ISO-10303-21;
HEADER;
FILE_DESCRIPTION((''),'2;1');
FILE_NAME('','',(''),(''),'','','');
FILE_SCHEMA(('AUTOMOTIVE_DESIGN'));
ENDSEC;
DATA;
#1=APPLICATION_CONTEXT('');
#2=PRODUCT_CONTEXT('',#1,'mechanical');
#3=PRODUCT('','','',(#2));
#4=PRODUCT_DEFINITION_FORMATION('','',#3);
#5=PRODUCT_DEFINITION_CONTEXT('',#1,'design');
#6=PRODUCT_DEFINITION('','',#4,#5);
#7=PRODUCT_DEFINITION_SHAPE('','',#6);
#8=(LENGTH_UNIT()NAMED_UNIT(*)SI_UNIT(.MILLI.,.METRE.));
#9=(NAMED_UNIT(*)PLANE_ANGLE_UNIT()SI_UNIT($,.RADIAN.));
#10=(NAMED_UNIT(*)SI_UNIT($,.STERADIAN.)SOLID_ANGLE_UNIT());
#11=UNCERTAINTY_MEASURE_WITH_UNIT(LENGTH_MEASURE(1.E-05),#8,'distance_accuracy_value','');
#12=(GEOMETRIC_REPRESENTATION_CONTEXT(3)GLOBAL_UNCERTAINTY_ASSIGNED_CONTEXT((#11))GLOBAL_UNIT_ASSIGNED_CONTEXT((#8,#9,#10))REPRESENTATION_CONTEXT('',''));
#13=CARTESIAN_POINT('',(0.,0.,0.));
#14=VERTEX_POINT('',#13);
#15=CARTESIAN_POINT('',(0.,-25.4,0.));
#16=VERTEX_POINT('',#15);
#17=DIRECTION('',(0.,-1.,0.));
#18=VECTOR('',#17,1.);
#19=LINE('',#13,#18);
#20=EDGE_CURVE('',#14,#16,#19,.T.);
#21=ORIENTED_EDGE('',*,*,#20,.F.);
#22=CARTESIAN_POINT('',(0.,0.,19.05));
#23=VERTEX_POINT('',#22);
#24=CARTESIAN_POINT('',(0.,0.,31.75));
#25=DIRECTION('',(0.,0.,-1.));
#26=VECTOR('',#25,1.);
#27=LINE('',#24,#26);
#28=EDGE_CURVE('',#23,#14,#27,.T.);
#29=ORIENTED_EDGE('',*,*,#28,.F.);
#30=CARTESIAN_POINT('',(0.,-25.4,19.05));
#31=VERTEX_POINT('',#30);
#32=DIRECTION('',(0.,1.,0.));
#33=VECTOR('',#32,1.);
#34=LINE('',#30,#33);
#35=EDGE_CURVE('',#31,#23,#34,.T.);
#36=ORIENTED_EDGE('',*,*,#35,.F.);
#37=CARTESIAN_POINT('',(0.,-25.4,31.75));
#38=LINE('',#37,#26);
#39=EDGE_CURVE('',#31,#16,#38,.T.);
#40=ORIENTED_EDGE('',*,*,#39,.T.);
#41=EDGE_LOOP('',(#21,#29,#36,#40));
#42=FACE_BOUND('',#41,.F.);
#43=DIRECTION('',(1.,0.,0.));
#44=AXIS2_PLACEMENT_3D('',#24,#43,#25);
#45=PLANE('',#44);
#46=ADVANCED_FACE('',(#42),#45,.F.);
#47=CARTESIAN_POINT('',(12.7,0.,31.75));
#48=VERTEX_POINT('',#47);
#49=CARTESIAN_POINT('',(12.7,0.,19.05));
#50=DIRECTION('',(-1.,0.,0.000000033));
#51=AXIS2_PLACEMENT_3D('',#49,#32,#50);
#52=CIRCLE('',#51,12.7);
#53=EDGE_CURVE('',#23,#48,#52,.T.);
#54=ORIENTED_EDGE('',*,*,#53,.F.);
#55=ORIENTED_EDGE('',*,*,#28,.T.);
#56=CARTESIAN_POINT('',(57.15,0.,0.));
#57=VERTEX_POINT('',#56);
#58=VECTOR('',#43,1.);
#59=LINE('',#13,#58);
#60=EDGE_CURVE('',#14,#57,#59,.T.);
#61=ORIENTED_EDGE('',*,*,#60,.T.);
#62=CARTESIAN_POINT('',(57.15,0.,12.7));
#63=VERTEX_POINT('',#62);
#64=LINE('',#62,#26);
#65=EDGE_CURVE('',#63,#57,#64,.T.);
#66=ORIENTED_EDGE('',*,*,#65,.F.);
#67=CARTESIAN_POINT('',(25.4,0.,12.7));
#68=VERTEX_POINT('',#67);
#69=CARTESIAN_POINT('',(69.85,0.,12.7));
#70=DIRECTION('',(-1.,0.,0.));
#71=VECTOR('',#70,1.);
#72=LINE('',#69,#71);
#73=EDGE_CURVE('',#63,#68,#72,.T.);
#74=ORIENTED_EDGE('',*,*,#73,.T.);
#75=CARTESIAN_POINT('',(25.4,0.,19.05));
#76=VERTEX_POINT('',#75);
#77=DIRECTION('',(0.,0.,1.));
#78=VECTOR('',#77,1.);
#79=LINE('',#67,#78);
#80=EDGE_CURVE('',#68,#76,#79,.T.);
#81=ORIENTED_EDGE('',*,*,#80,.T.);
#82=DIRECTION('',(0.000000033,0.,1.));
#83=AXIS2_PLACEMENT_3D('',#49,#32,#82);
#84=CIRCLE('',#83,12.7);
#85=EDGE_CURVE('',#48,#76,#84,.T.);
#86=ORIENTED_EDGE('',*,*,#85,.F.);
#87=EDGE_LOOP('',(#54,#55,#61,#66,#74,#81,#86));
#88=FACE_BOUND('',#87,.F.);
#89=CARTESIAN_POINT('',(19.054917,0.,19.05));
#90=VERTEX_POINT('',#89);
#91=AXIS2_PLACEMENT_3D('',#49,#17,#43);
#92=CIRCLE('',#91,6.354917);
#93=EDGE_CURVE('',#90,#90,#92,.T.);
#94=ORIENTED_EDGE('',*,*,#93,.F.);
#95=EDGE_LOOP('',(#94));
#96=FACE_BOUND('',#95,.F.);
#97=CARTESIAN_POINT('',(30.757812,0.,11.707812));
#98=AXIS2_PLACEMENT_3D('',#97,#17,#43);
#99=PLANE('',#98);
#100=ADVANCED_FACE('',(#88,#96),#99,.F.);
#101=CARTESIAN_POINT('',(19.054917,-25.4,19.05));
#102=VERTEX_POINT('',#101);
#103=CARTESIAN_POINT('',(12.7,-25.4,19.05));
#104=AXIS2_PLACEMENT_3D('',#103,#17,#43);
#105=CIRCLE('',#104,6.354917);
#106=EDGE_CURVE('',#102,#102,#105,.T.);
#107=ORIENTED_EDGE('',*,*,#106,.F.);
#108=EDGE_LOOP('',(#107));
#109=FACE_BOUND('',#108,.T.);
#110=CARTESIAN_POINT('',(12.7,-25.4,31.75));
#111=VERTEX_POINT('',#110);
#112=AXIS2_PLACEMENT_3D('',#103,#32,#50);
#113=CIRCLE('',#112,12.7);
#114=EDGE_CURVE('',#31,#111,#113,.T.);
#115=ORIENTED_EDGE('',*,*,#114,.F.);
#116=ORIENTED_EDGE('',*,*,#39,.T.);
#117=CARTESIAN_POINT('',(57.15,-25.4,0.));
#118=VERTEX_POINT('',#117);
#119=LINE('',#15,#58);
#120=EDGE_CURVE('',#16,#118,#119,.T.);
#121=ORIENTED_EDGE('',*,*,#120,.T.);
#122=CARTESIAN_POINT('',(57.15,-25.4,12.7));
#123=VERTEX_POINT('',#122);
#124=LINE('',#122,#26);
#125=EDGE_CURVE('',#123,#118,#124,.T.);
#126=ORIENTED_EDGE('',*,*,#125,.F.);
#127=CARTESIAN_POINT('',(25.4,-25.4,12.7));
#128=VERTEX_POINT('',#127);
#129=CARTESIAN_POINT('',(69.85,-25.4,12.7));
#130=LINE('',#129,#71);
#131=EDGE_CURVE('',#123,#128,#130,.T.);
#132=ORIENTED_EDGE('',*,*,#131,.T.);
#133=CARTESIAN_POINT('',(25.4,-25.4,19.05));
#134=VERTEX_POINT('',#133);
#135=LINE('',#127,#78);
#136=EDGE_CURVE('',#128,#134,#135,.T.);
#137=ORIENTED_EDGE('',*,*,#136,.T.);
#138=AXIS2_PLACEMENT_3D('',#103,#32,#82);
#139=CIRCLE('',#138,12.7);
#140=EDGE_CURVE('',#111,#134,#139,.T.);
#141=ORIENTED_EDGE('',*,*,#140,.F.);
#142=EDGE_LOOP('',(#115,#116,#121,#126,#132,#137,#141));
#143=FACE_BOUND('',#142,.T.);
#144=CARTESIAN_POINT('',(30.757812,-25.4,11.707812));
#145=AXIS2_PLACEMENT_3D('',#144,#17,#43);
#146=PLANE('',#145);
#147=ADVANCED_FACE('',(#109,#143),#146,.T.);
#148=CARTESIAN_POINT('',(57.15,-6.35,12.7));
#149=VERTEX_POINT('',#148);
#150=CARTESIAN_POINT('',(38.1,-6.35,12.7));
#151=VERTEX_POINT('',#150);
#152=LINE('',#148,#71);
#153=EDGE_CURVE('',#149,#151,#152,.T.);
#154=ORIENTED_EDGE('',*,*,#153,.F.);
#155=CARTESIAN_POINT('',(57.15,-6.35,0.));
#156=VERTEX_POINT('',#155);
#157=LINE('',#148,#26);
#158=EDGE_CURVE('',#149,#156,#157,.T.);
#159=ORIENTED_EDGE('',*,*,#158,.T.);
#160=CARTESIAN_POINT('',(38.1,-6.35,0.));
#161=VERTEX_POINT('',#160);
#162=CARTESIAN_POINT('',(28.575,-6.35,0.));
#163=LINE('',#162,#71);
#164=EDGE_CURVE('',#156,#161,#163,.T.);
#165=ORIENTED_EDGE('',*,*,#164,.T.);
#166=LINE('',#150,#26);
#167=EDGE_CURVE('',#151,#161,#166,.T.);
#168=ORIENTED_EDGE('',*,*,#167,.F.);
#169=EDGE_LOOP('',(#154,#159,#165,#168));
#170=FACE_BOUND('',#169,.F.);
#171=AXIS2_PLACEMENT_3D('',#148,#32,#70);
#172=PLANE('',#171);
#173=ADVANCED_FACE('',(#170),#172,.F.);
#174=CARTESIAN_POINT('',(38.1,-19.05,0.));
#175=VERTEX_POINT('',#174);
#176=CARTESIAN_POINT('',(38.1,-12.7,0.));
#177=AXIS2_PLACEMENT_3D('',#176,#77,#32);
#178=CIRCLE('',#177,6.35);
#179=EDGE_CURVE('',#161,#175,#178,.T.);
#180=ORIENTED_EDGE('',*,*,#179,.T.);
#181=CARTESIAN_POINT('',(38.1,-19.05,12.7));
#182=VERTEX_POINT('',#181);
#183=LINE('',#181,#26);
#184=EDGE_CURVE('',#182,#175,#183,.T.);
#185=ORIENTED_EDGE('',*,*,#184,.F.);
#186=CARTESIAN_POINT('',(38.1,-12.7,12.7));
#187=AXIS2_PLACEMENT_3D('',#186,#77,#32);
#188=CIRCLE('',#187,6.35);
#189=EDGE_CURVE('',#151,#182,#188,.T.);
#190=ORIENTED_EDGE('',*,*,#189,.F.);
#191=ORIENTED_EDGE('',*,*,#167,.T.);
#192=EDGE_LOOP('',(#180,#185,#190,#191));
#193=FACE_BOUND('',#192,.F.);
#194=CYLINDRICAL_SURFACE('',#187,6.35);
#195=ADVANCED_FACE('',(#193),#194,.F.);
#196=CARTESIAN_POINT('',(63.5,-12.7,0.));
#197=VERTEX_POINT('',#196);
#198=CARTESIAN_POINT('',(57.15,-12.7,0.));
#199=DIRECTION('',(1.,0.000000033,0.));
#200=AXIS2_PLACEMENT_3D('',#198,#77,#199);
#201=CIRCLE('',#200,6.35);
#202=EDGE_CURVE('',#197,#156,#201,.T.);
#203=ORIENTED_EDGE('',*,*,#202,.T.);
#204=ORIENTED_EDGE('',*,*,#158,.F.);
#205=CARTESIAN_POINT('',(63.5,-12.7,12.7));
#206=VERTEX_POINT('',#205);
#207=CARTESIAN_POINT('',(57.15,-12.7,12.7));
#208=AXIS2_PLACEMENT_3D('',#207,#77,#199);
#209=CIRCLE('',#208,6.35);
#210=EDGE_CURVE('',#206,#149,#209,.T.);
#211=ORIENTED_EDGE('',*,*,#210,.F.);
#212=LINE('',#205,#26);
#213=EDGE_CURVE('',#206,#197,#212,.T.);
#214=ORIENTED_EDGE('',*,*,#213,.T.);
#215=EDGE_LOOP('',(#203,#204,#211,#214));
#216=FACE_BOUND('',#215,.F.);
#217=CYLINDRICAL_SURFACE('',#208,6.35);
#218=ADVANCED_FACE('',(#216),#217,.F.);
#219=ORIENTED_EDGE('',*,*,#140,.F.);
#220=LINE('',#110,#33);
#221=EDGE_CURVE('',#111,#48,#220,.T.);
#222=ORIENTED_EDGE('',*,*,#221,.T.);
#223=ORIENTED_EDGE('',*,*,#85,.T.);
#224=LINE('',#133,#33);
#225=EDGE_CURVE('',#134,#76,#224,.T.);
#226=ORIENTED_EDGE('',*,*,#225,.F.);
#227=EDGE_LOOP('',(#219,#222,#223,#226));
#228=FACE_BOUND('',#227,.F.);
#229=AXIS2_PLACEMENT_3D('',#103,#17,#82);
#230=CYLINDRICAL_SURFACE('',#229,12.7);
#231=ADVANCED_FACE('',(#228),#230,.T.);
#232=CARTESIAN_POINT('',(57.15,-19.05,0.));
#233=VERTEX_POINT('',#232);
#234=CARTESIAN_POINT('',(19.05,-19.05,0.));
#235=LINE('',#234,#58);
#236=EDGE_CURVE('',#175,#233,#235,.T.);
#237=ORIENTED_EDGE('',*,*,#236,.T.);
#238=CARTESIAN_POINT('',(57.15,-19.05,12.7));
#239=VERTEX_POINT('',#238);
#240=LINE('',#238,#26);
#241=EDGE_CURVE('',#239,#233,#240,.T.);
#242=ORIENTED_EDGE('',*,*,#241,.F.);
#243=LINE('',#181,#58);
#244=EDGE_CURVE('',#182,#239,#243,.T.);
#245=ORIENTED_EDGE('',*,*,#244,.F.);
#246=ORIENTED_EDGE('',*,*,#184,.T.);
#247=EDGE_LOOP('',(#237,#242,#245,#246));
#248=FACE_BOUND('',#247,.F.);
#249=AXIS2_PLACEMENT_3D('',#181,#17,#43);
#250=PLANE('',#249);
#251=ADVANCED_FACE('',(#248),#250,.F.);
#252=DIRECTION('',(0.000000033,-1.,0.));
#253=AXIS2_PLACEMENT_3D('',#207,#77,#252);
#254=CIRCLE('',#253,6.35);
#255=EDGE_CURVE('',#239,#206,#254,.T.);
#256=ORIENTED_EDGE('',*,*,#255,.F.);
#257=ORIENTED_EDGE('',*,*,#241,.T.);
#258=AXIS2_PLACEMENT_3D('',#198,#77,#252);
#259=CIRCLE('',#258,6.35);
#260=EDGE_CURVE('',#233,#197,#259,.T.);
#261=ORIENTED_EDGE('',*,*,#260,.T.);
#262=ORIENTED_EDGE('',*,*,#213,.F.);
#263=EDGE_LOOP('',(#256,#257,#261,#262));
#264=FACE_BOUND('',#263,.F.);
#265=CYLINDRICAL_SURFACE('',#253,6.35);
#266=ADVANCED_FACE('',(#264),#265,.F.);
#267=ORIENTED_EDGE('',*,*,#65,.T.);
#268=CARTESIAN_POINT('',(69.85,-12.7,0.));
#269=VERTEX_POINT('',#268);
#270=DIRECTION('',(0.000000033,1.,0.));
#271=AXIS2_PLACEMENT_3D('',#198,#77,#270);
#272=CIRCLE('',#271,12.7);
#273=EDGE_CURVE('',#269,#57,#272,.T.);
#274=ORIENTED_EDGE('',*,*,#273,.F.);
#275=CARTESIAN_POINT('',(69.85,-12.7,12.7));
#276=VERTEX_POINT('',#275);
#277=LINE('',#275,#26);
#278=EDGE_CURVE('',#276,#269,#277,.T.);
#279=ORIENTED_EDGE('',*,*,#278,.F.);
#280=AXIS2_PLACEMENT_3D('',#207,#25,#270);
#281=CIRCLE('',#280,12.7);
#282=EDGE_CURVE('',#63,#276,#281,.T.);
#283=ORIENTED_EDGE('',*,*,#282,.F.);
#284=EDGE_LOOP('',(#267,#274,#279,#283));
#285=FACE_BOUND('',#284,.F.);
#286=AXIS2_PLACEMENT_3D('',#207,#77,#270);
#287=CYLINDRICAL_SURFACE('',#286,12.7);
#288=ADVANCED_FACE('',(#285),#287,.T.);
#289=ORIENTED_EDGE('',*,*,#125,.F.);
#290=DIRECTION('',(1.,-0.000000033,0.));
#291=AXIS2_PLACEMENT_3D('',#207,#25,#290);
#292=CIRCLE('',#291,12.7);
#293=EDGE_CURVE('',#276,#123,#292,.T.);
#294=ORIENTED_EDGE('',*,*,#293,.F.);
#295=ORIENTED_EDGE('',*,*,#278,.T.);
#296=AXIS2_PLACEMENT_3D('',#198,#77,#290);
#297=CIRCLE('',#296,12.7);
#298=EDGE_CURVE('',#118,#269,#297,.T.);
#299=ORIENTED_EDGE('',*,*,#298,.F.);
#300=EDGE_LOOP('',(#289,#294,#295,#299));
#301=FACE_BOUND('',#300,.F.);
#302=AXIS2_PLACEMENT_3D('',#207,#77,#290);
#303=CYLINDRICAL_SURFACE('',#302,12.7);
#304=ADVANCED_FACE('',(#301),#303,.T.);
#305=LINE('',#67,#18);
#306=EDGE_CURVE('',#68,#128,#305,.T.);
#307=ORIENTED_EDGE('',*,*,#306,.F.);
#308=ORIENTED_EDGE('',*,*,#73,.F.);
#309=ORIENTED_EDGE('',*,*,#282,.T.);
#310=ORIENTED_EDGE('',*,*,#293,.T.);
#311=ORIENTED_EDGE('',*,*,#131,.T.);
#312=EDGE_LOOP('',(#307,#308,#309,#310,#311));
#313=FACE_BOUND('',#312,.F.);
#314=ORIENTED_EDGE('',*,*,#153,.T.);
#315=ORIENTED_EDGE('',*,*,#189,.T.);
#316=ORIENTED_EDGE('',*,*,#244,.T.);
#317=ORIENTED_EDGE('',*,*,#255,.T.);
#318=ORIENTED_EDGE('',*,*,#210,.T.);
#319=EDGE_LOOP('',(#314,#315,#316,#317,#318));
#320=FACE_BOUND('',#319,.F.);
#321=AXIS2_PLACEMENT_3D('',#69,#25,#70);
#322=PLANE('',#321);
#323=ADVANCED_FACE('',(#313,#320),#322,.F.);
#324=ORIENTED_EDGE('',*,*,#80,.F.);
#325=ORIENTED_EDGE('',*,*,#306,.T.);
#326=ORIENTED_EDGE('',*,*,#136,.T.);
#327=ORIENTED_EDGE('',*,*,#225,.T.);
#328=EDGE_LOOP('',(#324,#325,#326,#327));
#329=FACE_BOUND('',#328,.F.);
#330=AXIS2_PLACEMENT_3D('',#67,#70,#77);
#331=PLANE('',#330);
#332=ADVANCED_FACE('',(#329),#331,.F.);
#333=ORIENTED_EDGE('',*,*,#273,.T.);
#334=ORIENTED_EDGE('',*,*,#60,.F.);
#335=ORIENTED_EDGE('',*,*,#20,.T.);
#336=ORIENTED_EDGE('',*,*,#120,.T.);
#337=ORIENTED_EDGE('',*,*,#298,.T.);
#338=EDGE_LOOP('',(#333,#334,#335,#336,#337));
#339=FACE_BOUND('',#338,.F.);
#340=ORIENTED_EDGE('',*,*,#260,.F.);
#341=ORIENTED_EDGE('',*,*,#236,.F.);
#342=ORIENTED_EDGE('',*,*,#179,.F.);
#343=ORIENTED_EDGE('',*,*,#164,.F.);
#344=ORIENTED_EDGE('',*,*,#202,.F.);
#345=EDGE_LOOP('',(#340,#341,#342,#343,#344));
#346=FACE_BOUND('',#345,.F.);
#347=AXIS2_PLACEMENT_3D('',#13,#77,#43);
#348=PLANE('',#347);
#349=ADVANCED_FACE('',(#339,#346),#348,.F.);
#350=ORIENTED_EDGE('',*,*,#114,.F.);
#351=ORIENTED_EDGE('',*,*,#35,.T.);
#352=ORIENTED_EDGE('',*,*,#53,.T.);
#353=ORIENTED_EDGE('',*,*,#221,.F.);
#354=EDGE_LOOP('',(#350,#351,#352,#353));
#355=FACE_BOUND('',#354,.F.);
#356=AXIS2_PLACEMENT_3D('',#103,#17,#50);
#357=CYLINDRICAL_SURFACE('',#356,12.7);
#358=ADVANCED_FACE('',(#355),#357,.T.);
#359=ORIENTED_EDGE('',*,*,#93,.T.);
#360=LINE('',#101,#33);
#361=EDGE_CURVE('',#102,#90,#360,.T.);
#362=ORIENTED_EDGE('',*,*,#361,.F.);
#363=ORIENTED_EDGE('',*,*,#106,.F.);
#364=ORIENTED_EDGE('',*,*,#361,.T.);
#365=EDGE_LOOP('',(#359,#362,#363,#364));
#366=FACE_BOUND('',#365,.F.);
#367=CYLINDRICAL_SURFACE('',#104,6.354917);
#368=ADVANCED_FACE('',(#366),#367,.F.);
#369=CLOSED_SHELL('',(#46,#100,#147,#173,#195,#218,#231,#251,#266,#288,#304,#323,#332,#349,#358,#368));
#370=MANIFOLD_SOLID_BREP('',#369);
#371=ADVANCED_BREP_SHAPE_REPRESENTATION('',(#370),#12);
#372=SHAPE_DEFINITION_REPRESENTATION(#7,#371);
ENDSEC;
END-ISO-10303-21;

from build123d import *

# Parameters (mm, degrees)
F1_DEPTH = 25.4
F2_R     = 6.354917
F3_DEPTH = 25.4
F5_DEPTH = 25.4


with BuildPart() as f1:
    # F0 (on Front) → F1 (new body)
    with BuildSketch(Plane.XZ):
        Polygon((0, 31.75), (0, 0), (69.85, 0), (69.85, 12.7), (25.4, 12.7), (25.4, 31.75), align=None)
    extrude(amount=F1_DEPTH)

    # F2 (on face) → F3 (cut)
    with BuildSketch(Plane.XZ.offset(25.4)):
        with BuildLine():
            ThreePointArc((12.7, 31.75), (21.680256, 28.030256), (25.4, 19.05))
            Line((25.4, 19.05), (25.4, 31.75))
            Line((25.4, 31.75), (12.7, 31.75))
        make_face()
        with BuildLine():
            ThreePointArc((0, 19.05), (3.719744, 28.030256), (12.7, 31.75))
            Line((12.7, 31.75), (0, 31.75))
            Line((0, 31.75), (0, 19.05))
        make_face()
        with Locations((12.7, 19.05)):
            Circle(F2_R)
    extrude(amount=-F3_DEPTH, mode=Mode.SUBTRACT)

    # F4 (on face) → F5 (cut)
    with BuildSketch(Plane.XY.offset(12.7)):
        with BuildLine():
            ThreePointArc((38.1, -19.05), (42.590128, -17.190128), (44.45, -12.7))
            ThreePointArc((44.45, -12.7), (42.590128, -8.209872), (38.1, -6.35))
            ThreePointArc((38.1, -6.35), (31.75, -12.7), (38.1, -19.05))
        make_face()
        with BuildLine():
            ThreePointArc((38.1, -6.35), (42.590128, -8.209872), (44.45, -12.7))
            ThreePointArc((44.45, -12.7), (42.590128, -17.190128), (38.1, -19.05))
            Line((38.1, -19.05), (57.15, -19.05))
            ThreePointArc((57.15, -19.05), (50.8, -12.7), (57.15, -6.35))
            Line((57.15, -6.35), (38.1, -6.35))
        make_face()
        with BuildLine():
            ThreePointArc((63.5, -12.7), (61.640128, -8.209872), (57.15, -6.35))
            ThreePointArc((57.15, -6.35), (50.8, -12.7), (57.15, -19.05))
            ThreePointArc((57.15, -19.05), (61.640128, -17.190128), (63.5, -12.7))
        make_face()
        with BuildLine():
            ThreePointArc((57.15, 0), (66.130256, -3.719744), (69.85, -12.7))
            Line((69.85, -12.7), (69.85, 0))
            Line((69.85, 0), (57.15, 0))
        make_face()
        with BuildLine():
            ThreePointArc((69.85, -12.7), (66.130256, -21.680256), (57.15, -25.4))
            Line((57.15, -25.4), (69.85, -25.4))
            Line((69.85, -25.4), (69.85, -12.7))
        make_face()
    extrude(amount=-F5_DEPTH, mode=Mode.SUBTRACT)


solid = f1.part
